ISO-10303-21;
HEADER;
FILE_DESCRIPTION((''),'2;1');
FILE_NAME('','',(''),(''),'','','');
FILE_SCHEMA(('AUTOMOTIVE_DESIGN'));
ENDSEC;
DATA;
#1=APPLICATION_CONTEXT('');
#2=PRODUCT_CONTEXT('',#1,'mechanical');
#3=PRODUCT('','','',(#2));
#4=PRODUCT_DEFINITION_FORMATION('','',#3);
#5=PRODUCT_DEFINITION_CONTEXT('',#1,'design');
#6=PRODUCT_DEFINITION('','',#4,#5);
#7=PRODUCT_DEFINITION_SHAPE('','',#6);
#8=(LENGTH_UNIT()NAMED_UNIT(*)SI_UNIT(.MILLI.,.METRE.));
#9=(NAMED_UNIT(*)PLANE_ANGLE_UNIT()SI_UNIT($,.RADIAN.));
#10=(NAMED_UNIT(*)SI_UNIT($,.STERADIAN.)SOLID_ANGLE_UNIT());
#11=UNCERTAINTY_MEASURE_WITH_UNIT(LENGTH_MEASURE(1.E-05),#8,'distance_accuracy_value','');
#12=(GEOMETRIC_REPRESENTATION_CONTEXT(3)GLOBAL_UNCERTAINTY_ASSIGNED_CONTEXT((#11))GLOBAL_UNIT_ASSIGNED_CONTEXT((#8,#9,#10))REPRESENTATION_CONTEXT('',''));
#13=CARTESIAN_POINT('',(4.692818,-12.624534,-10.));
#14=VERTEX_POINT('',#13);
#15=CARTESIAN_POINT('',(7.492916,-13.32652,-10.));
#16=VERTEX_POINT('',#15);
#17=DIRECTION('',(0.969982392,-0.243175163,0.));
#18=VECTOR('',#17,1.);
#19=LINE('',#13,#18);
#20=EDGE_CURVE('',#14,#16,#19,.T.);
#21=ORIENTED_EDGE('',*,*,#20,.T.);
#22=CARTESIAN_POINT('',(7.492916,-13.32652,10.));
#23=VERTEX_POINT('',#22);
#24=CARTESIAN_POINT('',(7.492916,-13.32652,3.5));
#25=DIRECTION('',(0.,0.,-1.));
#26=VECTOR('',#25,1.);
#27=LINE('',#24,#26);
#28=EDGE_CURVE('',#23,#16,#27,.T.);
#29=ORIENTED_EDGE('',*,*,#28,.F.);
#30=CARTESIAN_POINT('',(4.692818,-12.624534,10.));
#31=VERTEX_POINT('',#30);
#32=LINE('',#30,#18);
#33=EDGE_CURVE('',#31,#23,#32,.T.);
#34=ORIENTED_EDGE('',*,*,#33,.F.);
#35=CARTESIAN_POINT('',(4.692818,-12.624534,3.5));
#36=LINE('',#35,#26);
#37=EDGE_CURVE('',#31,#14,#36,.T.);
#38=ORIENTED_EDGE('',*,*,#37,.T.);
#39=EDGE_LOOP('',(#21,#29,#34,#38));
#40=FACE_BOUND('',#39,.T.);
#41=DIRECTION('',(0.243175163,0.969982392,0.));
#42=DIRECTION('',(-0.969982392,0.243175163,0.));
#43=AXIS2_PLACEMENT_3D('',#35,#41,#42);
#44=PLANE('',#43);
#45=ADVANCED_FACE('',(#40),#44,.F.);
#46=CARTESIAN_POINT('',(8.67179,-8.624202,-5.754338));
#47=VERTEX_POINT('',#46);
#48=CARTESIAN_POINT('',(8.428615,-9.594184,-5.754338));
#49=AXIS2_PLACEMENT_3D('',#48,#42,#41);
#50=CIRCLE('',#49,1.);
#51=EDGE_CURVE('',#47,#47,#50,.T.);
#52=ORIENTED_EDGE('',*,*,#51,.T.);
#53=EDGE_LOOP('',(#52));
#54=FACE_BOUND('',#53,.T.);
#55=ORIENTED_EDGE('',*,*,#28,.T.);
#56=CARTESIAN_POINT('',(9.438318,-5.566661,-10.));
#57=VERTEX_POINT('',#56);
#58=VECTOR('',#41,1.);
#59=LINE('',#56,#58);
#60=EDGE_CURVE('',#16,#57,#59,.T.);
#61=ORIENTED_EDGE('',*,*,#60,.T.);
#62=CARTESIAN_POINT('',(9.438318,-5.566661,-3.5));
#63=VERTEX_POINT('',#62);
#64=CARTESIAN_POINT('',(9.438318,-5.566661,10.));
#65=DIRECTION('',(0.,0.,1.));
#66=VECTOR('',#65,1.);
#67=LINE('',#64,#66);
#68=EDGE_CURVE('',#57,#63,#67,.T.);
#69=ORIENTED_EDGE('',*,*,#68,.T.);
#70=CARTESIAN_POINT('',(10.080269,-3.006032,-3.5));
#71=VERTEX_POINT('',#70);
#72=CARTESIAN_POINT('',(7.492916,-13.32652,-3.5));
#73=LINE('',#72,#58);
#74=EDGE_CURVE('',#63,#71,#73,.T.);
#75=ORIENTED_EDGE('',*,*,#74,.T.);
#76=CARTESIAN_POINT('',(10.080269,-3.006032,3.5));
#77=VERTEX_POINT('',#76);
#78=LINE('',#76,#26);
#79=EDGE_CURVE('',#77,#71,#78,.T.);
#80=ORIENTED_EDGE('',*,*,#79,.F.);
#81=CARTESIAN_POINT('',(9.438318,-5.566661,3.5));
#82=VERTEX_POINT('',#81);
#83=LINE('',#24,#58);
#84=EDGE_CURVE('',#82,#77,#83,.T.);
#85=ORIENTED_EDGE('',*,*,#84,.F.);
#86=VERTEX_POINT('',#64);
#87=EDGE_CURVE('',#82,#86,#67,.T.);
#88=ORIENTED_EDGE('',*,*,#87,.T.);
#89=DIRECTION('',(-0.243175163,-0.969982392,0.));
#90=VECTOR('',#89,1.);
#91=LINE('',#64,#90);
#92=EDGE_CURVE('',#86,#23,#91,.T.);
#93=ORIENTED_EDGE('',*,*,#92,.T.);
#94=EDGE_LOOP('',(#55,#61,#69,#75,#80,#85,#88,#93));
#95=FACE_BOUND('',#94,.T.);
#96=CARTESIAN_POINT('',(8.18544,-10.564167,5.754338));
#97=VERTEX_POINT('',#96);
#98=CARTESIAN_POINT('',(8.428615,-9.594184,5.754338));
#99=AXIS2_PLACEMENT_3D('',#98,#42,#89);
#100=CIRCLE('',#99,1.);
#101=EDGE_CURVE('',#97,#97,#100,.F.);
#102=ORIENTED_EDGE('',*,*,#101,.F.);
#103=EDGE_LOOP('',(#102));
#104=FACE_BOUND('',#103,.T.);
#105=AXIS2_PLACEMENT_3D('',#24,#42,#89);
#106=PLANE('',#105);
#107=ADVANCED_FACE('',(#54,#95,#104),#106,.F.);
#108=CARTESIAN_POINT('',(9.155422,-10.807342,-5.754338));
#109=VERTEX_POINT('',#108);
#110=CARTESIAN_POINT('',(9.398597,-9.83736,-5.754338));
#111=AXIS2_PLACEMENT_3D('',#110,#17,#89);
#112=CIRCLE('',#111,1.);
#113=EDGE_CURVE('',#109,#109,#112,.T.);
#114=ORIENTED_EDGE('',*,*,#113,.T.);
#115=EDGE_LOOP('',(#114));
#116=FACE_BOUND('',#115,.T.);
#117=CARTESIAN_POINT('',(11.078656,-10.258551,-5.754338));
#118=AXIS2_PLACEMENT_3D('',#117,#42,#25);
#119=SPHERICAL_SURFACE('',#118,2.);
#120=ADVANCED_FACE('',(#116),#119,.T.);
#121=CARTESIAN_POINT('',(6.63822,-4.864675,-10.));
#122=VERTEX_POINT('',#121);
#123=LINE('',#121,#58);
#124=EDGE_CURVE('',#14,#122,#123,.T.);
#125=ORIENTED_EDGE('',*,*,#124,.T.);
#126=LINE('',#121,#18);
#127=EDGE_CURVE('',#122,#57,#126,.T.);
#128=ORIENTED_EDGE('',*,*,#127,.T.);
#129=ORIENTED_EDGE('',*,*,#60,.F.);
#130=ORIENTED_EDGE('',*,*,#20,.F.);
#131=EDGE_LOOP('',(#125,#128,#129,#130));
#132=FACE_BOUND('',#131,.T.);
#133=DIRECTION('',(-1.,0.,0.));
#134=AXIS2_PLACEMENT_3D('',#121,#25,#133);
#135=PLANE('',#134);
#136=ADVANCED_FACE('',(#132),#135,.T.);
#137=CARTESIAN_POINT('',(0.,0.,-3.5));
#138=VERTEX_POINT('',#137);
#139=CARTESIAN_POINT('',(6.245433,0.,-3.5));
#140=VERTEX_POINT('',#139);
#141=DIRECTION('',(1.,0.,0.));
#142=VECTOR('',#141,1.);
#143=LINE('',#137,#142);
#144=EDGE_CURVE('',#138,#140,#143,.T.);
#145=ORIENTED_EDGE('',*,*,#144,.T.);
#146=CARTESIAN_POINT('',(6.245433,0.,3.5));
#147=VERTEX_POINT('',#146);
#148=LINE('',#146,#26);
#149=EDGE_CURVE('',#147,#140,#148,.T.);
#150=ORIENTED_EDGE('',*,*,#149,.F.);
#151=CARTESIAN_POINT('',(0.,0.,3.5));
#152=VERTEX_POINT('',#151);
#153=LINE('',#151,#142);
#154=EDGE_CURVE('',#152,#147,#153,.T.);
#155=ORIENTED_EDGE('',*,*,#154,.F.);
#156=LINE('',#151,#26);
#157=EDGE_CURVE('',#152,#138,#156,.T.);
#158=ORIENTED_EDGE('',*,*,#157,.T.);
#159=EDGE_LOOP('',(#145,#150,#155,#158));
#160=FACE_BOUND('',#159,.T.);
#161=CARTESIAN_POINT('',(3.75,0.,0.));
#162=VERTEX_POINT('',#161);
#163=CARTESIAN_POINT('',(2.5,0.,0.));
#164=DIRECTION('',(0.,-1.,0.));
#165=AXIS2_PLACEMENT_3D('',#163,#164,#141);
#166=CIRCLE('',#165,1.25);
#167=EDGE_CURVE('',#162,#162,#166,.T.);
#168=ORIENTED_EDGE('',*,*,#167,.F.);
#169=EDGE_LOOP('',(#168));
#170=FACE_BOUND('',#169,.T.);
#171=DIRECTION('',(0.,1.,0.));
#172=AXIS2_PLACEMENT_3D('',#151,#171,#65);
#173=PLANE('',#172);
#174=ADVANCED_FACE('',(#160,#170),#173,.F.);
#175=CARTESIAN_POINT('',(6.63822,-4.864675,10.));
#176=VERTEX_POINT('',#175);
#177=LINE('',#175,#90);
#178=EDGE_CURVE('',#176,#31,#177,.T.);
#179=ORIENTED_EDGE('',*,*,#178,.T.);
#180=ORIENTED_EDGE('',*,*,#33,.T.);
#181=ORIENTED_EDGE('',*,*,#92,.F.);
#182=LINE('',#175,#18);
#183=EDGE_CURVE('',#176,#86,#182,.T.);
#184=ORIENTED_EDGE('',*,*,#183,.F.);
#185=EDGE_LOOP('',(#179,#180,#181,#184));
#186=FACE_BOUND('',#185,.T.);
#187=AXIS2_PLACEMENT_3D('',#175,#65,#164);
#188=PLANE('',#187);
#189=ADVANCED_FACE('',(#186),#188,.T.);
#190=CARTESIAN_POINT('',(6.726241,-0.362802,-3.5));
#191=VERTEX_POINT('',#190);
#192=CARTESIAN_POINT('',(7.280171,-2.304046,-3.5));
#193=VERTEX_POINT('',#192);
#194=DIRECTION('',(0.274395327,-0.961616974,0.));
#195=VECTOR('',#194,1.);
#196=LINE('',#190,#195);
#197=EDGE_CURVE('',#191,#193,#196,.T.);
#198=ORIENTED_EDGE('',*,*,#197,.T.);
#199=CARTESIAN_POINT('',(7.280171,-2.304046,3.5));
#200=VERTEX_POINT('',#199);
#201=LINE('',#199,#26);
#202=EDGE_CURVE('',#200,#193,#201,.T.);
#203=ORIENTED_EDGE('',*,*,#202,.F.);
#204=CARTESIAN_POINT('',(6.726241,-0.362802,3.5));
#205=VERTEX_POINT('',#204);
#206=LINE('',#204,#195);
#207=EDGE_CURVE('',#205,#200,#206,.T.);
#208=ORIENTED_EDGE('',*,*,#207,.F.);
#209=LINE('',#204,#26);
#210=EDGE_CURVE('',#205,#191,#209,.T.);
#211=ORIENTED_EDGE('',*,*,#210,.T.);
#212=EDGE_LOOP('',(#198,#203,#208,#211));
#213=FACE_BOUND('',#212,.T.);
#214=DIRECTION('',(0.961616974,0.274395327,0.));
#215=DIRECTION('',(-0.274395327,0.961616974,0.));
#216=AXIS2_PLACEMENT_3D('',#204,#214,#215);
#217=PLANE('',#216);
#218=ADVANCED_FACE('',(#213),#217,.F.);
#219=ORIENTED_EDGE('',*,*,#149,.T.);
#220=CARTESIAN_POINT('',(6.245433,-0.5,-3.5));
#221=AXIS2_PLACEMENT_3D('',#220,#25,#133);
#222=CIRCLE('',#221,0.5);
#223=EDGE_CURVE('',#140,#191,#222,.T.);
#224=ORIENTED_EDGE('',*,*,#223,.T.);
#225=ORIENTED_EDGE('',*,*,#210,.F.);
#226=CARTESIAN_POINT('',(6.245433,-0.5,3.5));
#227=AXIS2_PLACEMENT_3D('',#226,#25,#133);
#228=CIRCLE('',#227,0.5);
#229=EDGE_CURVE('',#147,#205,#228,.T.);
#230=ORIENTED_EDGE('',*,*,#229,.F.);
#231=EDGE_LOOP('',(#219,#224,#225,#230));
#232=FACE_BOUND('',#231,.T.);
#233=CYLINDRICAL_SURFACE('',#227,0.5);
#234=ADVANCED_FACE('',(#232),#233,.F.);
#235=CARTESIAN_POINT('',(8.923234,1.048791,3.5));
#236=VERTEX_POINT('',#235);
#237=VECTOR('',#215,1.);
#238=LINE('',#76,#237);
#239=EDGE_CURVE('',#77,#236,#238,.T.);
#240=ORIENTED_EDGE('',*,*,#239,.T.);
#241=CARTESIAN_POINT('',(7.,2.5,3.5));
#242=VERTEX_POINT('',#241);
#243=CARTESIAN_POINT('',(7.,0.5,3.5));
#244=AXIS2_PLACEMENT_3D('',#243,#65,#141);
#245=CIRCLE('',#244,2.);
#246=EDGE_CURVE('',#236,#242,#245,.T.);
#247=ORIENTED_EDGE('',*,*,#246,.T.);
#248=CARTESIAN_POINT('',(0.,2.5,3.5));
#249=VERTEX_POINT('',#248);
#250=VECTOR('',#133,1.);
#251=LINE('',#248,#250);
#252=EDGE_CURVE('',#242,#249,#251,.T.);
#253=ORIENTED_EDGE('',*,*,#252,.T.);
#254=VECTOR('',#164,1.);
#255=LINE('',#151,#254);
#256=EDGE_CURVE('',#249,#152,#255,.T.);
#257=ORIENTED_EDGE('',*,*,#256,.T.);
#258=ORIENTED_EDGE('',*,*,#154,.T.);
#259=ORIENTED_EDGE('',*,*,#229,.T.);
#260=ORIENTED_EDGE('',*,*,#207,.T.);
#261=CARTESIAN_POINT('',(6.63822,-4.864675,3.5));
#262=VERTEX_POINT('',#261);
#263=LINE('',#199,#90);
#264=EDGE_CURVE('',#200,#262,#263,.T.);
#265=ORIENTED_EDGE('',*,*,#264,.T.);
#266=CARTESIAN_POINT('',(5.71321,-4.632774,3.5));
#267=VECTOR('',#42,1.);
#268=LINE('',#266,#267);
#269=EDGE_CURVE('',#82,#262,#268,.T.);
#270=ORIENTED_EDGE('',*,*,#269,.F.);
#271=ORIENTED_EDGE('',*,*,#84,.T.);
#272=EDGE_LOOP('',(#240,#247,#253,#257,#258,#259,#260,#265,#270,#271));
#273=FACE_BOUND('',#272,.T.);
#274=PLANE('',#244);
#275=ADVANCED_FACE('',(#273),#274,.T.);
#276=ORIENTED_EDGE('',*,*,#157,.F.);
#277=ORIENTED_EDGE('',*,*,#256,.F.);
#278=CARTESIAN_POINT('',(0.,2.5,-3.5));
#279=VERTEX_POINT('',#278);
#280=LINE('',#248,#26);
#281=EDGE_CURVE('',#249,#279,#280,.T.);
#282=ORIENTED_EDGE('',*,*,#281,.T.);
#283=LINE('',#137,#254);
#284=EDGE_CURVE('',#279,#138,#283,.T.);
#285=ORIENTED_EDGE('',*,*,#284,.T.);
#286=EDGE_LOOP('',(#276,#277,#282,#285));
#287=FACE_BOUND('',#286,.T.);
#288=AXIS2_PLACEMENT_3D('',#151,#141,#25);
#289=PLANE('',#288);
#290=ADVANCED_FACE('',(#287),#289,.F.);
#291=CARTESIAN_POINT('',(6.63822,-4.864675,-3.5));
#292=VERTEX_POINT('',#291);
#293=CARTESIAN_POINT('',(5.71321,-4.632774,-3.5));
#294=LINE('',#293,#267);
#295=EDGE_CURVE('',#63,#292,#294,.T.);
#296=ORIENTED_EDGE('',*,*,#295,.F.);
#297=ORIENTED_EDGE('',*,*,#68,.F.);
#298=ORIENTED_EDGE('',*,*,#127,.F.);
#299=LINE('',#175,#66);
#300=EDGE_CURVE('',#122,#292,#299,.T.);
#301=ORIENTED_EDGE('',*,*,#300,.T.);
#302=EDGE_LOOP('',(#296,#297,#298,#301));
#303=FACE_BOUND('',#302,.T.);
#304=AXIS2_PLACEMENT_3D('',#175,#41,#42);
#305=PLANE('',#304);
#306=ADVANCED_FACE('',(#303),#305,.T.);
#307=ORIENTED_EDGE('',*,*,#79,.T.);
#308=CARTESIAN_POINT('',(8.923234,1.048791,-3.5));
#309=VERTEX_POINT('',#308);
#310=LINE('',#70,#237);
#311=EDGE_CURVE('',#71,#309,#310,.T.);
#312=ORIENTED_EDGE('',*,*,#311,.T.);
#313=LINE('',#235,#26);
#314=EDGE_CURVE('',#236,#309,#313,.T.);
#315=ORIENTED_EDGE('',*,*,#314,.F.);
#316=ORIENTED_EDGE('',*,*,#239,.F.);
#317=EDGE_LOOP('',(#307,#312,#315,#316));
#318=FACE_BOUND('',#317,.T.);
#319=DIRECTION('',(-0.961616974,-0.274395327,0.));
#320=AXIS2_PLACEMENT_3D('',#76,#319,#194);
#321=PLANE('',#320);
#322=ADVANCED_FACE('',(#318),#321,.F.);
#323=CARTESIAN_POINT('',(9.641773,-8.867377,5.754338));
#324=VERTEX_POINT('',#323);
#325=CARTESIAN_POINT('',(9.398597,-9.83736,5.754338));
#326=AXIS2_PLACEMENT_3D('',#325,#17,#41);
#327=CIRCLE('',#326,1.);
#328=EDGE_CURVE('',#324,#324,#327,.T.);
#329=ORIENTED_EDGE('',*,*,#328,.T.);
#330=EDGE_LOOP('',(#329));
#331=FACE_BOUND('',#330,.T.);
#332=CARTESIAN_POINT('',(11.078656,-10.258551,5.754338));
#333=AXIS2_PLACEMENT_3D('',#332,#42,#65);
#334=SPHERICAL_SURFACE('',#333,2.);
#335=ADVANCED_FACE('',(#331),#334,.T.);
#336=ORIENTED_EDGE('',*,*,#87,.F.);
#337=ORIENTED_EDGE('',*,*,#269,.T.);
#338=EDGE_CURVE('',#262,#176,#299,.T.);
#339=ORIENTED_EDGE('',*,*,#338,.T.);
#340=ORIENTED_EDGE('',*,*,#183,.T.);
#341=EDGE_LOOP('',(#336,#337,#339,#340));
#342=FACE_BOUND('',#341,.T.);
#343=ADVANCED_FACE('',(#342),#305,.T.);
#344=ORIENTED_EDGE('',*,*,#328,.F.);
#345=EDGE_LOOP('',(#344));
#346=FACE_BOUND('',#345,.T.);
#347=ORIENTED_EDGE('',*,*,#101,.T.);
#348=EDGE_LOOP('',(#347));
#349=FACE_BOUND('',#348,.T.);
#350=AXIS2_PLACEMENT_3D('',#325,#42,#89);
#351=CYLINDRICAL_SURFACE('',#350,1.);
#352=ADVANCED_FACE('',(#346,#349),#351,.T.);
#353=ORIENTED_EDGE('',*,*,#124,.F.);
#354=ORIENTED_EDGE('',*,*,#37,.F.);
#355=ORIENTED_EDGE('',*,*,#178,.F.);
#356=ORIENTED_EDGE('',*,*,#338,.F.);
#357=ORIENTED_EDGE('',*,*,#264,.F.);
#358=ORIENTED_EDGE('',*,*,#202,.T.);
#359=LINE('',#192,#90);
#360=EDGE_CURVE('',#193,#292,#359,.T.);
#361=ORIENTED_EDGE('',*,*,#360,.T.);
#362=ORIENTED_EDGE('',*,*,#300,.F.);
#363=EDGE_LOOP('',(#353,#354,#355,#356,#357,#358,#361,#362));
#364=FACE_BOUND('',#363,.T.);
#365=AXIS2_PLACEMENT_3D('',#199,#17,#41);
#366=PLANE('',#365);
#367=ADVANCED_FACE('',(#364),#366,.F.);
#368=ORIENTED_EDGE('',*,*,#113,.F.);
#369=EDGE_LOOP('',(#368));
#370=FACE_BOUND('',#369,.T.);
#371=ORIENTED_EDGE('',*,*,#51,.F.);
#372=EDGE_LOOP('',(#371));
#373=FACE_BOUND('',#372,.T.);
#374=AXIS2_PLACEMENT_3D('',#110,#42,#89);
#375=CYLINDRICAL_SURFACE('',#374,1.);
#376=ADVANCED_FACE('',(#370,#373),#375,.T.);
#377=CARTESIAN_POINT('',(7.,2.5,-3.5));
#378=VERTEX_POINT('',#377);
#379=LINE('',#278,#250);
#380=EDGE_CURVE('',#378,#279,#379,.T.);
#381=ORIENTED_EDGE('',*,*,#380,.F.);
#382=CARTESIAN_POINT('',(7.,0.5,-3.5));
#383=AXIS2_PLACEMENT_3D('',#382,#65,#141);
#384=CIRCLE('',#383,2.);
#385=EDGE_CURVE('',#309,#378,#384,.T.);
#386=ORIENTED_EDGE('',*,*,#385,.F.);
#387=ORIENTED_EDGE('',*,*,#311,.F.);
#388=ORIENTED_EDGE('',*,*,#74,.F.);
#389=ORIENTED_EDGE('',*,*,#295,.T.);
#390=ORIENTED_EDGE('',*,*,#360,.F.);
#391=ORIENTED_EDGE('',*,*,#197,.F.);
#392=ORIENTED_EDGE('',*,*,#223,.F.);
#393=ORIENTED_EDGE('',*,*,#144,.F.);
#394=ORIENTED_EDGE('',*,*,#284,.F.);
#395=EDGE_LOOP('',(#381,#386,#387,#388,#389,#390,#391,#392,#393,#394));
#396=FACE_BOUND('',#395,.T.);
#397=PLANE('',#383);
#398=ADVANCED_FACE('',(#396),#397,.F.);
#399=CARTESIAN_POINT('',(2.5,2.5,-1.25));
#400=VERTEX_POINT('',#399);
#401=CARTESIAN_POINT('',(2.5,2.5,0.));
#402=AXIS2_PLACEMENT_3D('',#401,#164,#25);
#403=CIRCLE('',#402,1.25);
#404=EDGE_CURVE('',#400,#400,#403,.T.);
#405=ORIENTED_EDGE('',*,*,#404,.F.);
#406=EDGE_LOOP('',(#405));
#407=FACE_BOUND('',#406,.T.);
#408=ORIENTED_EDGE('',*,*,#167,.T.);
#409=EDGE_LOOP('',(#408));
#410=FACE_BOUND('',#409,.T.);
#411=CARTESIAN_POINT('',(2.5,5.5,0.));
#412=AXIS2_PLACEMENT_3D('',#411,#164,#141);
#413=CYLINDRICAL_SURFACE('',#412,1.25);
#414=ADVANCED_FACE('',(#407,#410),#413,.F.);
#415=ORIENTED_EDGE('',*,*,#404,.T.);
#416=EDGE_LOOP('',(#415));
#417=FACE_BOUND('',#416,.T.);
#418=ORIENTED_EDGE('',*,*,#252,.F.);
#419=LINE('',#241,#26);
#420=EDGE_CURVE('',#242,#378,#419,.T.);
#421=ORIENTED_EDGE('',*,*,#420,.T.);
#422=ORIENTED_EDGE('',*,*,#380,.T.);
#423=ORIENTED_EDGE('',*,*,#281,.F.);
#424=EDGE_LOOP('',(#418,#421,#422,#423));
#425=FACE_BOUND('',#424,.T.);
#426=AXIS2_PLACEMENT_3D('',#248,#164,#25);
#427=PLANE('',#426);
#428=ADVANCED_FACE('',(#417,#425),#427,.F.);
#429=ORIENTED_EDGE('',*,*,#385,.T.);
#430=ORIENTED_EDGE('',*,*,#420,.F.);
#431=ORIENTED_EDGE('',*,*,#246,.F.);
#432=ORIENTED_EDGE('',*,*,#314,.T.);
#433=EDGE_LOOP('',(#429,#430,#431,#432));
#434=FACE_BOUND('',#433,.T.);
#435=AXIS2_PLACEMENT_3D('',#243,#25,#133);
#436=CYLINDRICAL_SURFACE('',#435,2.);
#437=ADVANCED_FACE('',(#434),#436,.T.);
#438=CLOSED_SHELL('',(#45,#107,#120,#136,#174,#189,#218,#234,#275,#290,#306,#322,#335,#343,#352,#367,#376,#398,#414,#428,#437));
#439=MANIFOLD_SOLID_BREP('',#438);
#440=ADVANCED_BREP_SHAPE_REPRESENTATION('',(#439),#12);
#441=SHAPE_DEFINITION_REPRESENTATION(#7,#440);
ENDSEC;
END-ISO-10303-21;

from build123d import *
from build123d.topology import SkipClean

# Parameters (mm, degrees)
EXTRUDE_1_DEPTH     = 3.5
SKETCH_2_R          = 1.25
CUT_EXTRUDE_3_DEPTH = 5.5
SKETCH_3_W          = 20
SKETCH_3_H          = 8
EXTRUDE_2_DEPTH     = 2.886751
SKETCH_4_R          = 1
EXTRUDE_3_DEPTH     = 1


with BuildPart() as part:
    # 草图1 → 凸台-拉伸1 (new, symmetric)
    with BuildSketch(Plane.XY):
        with BuildLine():
            Line((0, 0), (6.245432753, 0))
            ThreePointArc((6.245432753, 0), (6.54659813, -0.100876691), (6.72624124, -0.362802336))
            Line((6.72624124, -0.362802336), (7.280170813, -2.304045596))
            Line((7.280170813, -2.304045596), (4.692818301, -12.624533712))
            Line((4.692818301, -12.624533712), (7.492916275, -13.326519941))
            Line((7.492916275, -13.326519941), (10.080268787, -3.006031824))
            Line((10.080268787, -3.006031824), (8.923233948, 1.048790655))
            ThreePointArc((8.923233948, 1.048790655), (8.204661507, 2.096493237), (7, 2.5))
            Line((7, 2.5), (0, 2.5))
            Line((0, 2.5), (0, 0))
        make_face()
    extrude(amount=EXTRUDE_1_DEPTH, both=True)

    # 草图2 → 切除-拉伸3 (cut)
    with BuildSketch(Plane.XZ):
        with Locations((2.5, 0)):
            Circle(SKETCH_2_R)
    extrude(amount=-CUT_EXTRUDE_3_DEPTH, mode=Mode.SUBTRACT)

    # 草图3 → 凸台-拉伸2 (add)
    with SkipClean():  # the faces are left unmerged after this step: merging them gives an invalid solid
        with BuildSketch(Plane(origin=(10.193230201, -2.555448877, 0), x_dir=(0, 0, -1), z_dir=(0.969982391695105, -0.24317516279719864, 0))):
            with Locations((0, -7.10439855)):
                Rectangle(SKETCH_3_W, SKETCH_3_H)
        extrude(amount=-EXTRUDE_2_DEPTH)

    # 草图4 → 凸台-拉伸3 (add)
    with SkipClean():  # the faces are left unmerged after this step: merging them gives an invalid solid
        with BuildSketch(Plane(origin=(10.193230201, -2.555448877, 0), x_dir=(0, 0, -1), z_dir=(0.969982391695105, -0.24317516279719864, 0))):
            with Locations(Location((-5.754337631, -7.256560167, 0), (0, 0, 270))):
                Circle(SKETCH_4_R)
        extrude_3 = extrude(amount=EXTRUDE_3_DEPTH)

    # 草图5 → 旋转1 (revolve)
    with SkipClean():  # the faces are left unmerged after this step: merging them gives an invalid solid
        with BuildSketch(Plane(origin=(-1.7646152, -7.038735586, 0), x_dir=(-0.969982391695105, 0.24317516279719864, 0), z_dir=(0.24317516279719864, 0.969982391695105, 0))):
            with BuildLine():
                Line((-11.508675506, 5.754337631), (-15.240726313, 5.754337631))
                ThreePointArc((-15.240726313, 5.754337631), (-13.758364403, 7.686189284), (-11.508675506, 6.754337631))
                Line((-11.508675506, 6.754337631), (-11.508675506, 5.754337631))
            make_face()
        revolve_1 = revolve(axis=Axis((9.398597392, -9.837359626, 5.754337631), (0.969982391695105, -0.24317516279719853, 0)))

    # 镜向1: 凸台-拉伸3, 旋转1 across plane
    with SkipClean():  # the faces are left unmerged after this step: merging them gives an invalid solid
        add(extrude_3.mirror(Plane.XY))
        add(revolve_1.mirror(Plane.XY))


solid = part.part
